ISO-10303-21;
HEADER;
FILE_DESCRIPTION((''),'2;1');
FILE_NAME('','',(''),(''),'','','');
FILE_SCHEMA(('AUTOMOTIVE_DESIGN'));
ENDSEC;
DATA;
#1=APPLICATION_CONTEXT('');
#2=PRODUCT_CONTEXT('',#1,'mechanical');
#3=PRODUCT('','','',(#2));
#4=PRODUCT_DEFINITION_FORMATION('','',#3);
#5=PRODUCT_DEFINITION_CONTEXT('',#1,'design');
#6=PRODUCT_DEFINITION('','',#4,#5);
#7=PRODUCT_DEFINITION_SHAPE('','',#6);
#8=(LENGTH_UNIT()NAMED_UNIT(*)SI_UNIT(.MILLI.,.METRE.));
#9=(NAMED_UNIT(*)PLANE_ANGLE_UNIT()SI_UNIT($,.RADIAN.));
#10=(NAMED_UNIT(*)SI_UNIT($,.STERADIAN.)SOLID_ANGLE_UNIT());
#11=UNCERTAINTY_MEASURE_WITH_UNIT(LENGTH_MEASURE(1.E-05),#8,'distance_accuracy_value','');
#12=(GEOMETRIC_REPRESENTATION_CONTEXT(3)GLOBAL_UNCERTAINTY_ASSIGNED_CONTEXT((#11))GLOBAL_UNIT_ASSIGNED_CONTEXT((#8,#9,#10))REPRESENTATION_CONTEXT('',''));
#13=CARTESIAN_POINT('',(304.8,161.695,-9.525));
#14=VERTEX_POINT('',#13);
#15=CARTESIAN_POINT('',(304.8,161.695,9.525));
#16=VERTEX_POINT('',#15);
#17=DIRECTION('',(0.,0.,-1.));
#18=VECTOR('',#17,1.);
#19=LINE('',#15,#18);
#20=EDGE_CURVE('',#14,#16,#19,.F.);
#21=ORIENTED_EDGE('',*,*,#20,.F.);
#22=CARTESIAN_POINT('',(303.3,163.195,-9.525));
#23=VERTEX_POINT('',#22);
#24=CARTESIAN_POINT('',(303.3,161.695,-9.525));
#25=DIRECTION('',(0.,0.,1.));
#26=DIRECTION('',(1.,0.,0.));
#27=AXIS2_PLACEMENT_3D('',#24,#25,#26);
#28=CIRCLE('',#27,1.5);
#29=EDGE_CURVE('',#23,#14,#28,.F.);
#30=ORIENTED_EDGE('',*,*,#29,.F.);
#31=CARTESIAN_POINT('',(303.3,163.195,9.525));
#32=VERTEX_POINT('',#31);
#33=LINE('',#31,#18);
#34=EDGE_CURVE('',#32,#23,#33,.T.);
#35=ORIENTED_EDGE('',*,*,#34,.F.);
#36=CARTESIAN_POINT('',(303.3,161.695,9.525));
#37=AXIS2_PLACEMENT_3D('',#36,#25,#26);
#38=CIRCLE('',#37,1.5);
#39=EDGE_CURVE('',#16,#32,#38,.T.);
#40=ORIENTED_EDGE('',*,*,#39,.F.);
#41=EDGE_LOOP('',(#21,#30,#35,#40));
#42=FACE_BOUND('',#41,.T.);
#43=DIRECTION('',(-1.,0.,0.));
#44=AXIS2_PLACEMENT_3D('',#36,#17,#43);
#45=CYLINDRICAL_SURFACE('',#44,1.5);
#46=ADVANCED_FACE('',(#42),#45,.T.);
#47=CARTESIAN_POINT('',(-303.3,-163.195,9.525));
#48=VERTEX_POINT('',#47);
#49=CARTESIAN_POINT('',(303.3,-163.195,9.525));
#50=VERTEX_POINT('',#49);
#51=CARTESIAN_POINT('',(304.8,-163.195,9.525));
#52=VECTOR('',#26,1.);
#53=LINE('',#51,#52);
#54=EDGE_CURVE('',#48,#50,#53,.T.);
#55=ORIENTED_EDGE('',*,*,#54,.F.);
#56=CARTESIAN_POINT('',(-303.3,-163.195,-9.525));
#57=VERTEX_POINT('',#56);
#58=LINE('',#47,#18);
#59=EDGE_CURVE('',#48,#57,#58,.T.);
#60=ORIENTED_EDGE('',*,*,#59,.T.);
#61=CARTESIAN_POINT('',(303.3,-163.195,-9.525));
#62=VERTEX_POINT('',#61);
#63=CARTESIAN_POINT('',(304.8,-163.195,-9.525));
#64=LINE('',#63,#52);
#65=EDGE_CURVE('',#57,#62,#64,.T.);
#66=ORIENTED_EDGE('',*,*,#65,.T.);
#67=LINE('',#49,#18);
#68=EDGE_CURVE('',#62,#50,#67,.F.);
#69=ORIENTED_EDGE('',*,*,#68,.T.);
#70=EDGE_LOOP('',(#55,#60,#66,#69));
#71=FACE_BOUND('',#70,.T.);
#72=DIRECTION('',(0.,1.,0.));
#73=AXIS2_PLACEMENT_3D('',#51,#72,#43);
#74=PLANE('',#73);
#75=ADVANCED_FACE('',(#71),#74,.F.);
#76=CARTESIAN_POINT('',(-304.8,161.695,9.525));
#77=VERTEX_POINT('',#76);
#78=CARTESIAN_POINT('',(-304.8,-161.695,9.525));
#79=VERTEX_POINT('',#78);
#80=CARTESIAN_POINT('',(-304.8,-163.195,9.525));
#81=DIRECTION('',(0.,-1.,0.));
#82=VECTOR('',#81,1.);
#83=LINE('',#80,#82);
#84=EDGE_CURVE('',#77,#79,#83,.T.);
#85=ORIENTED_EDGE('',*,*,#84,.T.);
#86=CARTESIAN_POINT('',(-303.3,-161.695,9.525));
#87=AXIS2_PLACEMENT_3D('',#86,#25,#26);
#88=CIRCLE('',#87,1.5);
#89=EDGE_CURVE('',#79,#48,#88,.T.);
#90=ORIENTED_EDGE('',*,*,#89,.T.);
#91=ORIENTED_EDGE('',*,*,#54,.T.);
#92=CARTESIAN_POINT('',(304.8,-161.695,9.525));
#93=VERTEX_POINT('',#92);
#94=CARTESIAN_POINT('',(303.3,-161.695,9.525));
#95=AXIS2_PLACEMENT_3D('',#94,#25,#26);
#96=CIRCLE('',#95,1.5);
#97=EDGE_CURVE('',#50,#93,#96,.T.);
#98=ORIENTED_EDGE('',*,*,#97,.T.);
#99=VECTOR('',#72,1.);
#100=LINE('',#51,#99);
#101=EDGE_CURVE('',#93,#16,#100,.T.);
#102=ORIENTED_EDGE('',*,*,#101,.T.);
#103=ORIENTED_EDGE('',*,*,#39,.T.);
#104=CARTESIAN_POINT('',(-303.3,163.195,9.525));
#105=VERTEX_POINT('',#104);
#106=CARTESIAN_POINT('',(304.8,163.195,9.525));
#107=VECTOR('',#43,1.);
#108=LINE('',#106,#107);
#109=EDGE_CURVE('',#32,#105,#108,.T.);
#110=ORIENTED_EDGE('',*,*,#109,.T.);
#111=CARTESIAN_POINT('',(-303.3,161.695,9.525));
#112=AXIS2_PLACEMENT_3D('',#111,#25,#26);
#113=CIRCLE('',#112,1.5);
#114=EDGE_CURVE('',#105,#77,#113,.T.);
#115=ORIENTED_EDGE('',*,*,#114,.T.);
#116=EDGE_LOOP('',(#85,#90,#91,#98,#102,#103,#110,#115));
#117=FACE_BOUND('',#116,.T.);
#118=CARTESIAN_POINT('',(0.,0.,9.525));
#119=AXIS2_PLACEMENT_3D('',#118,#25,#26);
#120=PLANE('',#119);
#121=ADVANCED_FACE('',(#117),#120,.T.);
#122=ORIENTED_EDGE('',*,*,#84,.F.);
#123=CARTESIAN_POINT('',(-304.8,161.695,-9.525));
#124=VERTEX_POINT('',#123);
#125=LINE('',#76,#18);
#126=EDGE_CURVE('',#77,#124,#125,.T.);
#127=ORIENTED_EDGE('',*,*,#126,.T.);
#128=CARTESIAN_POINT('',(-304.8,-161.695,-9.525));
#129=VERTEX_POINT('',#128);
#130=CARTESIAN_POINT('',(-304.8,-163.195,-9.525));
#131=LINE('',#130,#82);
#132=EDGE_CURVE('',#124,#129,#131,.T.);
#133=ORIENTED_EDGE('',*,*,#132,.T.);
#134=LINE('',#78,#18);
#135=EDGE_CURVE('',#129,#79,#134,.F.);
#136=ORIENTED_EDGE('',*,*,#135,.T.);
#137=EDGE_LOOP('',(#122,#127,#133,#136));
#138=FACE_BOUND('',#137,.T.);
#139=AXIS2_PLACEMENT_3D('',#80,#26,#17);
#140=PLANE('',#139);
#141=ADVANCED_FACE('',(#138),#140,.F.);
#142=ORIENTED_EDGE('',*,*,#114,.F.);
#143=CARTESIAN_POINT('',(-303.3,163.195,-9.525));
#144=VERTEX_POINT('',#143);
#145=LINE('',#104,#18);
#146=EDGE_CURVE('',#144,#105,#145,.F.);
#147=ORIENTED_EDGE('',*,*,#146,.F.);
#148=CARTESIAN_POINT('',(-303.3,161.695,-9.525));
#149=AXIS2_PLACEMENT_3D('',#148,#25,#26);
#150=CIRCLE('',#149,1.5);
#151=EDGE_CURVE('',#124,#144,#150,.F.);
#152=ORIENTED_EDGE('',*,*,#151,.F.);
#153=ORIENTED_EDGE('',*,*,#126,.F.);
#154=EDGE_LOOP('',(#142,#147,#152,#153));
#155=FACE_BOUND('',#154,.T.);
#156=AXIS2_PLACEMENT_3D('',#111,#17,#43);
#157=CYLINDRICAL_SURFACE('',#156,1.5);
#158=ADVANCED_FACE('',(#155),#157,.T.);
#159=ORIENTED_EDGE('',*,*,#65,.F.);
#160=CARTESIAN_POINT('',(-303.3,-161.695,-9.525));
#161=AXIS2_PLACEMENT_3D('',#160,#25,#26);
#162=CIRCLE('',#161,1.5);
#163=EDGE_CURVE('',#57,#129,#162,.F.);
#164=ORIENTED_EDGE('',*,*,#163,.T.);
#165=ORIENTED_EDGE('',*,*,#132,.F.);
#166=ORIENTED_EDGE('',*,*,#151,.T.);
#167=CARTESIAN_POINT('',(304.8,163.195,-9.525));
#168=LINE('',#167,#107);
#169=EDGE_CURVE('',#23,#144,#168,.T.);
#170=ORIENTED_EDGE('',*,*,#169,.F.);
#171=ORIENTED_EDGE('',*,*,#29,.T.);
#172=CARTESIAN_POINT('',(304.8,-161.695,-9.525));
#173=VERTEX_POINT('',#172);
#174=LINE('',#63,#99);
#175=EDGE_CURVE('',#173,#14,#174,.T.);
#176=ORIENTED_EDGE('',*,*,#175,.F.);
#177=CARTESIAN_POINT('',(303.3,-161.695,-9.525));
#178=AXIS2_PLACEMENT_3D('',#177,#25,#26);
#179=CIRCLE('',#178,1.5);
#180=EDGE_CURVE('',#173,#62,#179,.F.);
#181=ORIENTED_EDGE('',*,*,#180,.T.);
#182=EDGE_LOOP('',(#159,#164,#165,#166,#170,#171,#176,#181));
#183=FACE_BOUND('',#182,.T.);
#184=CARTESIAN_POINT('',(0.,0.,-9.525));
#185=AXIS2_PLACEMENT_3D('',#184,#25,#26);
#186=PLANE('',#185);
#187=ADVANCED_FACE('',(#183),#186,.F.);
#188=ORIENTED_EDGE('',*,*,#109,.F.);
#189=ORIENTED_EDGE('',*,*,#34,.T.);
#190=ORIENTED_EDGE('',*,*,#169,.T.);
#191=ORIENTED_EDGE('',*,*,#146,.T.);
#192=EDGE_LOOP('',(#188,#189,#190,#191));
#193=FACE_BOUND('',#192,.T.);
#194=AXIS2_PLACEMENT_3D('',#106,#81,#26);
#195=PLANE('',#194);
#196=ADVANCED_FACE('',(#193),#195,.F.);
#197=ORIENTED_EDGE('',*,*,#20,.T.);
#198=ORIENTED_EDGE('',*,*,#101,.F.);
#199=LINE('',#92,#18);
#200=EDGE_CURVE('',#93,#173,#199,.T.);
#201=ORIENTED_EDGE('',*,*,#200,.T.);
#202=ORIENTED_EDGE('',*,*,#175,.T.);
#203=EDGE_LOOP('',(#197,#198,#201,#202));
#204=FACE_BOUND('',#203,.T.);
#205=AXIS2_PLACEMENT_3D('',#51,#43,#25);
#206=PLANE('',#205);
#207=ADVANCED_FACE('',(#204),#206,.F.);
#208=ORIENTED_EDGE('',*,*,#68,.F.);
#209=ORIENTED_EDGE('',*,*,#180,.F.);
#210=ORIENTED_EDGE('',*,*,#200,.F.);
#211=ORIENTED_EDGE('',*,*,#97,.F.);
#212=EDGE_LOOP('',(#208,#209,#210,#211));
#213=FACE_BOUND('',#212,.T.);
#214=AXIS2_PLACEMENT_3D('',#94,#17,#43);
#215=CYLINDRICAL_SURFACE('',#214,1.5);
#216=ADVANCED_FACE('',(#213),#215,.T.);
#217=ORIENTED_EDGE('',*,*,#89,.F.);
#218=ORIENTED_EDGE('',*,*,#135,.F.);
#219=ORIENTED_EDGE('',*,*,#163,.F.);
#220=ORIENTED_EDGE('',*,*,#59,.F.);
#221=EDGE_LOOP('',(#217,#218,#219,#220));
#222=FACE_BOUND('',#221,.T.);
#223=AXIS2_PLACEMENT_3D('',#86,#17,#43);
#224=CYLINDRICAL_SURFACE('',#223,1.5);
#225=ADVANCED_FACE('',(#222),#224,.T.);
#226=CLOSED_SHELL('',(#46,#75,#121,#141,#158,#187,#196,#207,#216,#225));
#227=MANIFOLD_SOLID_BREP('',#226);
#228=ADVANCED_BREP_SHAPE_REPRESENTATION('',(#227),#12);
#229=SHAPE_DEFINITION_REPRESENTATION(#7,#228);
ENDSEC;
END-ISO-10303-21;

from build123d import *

# Parameters (mm, degrees)
SKETCH1_W           = 609.6
SKETCH1_H           = 326.39
BOSS_EXTRUDE1_DEPTH = 9.525
FILLET2_R           = 1.5


with BuildPart() as part:
    # Sketch1 → Boss-Extrude1 (new, symmetric)
    with BuildSketch(Plane.XY):
        Rectangle(SKETCH1_W, SKETCH1_H)
    extrude(amount=BOSS_EXTRUDE1_DEPTH, both=True)

    # Fillet2
    fillet2_edges = [part.edges().sort_by_distance(p)[0] for p in [
        (-304.8, 163.195, 0),
        (304.8, 163.195, 0),
        (304.8, -163.195, 0),
        (-304.8, -163.195, 0),
    ]]
    fillet(fillet2_edges, radius=FILLET2_R)


solid = part.part
